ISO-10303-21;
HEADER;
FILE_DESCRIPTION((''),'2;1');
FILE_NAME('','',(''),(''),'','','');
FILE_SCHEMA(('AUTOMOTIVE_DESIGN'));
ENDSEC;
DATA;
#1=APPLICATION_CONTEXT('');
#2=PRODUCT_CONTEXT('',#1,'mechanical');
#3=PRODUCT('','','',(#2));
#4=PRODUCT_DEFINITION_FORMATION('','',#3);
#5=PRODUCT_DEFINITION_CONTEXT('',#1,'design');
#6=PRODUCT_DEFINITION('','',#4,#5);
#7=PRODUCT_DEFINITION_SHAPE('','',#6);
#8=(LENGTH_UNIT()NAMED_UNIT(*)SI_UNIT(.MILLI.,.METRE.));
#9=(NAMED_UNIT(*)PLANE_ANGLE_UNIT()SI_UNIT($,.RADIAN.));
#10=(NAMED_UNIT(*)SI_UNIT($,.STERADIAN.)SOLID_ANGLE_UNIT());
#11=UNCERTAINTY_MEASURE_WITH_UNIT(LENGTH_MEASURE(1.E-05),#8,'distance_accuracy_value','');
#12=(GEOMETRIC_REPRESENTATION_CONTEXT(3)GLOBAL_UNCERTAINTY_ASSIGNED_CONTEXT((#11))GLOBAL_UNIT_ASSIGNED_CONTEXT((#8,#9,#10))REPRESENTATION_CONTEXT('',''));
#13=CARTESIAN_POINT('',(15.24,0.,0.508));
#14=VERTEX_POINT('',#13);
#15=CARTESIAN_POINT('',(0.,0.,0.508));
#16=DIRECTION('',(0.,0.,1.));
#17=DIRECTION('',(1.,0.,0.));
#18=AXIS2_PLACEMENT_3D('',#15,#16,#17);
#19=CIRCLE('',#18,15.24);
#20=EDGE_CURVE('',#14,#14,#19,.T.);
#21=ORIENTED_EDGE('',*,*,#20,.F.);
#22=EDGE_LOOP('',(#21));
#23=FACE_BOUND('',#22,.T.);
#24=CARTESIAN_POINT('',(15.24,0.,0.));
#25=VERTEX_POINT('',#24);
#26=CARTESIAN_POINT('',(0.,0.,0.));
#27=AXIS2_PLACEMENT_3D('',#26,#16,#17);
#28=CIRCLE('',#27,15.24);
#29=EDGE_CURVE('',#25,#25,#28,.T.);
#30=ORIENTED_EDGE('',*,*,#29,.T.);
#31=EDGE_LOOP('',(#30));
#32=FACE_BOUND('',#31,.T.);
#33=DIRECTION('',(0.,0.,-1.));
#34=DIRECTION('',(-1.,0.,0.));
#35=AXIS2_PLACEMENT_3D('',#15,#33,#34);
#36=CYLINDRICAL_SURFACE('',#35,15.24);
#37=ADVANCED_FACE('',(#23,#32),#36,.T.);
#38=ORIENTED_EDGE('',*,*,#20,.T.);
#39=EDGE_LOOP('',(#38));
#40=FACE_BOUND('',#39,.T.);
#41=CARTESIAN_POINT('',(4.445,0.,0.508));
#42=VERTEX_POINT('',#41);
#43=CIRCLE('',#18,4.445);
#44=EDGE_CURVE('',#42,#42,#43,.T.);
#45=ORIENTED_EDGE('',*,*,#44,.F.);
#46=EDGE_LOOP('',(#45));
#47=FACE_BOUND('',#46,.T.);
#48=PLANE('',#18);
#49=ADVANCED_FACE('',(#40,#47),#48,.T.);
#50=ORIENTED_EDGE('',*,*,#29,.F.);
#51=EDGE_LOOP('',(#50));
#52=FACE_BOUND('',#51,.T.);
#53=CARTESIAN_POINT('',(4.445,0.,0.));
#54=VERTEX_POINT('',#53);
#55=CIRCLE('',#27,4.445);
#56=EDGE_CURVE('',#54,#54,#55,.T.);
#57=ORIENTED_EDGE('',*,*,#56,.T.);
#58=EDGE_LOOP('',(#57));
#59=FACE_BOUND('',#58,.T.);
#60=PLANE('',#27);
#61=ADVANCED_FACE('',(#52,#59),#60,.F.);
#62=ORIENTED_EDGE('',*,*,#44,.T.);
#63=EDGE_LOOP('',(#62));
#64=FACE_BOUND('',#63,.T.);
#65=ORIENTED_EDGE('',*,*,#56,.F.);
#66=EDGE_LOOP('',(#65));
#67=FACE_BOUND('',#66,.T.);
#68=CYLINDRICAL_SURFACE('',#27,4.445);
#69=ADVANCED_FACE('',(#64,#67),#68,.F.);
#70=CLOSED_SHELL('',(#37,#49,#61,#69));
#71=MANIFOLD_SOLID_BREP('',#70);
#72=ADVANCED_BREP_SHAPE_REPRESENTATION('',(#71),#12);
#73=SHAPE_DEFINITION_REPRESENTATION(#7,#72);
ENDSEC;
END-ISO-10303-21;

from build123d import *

# Parameters (mm, degrees)
SKETCH1_R           = 15.24
BOSS_EXTRUDE1_DEPTH = 0.508
SKETCH2_R           = 4.445
CUT_EXTRUDE1_DEPTH  = 1.508


with BuildPart() as part:
    # Sketch1 → Boss-Extrude1 (new body)
    with BuildSketch(Plane.XY):
        Circle(SKETCH1_R)
    extrude(amount=BOSS_EXTRUDE1_DEPTH)

    # Sketch2 → Cut-Extrude1 (cut, through all)
    with BuildSketch(Plane.XY.offset(0.508)):
        Circle(SKETCH2_R)
    extrude(amount=-CUT_EXTRUDE1_DEPTH, mode=Mode.SUBTRACT)


solid = part.part
